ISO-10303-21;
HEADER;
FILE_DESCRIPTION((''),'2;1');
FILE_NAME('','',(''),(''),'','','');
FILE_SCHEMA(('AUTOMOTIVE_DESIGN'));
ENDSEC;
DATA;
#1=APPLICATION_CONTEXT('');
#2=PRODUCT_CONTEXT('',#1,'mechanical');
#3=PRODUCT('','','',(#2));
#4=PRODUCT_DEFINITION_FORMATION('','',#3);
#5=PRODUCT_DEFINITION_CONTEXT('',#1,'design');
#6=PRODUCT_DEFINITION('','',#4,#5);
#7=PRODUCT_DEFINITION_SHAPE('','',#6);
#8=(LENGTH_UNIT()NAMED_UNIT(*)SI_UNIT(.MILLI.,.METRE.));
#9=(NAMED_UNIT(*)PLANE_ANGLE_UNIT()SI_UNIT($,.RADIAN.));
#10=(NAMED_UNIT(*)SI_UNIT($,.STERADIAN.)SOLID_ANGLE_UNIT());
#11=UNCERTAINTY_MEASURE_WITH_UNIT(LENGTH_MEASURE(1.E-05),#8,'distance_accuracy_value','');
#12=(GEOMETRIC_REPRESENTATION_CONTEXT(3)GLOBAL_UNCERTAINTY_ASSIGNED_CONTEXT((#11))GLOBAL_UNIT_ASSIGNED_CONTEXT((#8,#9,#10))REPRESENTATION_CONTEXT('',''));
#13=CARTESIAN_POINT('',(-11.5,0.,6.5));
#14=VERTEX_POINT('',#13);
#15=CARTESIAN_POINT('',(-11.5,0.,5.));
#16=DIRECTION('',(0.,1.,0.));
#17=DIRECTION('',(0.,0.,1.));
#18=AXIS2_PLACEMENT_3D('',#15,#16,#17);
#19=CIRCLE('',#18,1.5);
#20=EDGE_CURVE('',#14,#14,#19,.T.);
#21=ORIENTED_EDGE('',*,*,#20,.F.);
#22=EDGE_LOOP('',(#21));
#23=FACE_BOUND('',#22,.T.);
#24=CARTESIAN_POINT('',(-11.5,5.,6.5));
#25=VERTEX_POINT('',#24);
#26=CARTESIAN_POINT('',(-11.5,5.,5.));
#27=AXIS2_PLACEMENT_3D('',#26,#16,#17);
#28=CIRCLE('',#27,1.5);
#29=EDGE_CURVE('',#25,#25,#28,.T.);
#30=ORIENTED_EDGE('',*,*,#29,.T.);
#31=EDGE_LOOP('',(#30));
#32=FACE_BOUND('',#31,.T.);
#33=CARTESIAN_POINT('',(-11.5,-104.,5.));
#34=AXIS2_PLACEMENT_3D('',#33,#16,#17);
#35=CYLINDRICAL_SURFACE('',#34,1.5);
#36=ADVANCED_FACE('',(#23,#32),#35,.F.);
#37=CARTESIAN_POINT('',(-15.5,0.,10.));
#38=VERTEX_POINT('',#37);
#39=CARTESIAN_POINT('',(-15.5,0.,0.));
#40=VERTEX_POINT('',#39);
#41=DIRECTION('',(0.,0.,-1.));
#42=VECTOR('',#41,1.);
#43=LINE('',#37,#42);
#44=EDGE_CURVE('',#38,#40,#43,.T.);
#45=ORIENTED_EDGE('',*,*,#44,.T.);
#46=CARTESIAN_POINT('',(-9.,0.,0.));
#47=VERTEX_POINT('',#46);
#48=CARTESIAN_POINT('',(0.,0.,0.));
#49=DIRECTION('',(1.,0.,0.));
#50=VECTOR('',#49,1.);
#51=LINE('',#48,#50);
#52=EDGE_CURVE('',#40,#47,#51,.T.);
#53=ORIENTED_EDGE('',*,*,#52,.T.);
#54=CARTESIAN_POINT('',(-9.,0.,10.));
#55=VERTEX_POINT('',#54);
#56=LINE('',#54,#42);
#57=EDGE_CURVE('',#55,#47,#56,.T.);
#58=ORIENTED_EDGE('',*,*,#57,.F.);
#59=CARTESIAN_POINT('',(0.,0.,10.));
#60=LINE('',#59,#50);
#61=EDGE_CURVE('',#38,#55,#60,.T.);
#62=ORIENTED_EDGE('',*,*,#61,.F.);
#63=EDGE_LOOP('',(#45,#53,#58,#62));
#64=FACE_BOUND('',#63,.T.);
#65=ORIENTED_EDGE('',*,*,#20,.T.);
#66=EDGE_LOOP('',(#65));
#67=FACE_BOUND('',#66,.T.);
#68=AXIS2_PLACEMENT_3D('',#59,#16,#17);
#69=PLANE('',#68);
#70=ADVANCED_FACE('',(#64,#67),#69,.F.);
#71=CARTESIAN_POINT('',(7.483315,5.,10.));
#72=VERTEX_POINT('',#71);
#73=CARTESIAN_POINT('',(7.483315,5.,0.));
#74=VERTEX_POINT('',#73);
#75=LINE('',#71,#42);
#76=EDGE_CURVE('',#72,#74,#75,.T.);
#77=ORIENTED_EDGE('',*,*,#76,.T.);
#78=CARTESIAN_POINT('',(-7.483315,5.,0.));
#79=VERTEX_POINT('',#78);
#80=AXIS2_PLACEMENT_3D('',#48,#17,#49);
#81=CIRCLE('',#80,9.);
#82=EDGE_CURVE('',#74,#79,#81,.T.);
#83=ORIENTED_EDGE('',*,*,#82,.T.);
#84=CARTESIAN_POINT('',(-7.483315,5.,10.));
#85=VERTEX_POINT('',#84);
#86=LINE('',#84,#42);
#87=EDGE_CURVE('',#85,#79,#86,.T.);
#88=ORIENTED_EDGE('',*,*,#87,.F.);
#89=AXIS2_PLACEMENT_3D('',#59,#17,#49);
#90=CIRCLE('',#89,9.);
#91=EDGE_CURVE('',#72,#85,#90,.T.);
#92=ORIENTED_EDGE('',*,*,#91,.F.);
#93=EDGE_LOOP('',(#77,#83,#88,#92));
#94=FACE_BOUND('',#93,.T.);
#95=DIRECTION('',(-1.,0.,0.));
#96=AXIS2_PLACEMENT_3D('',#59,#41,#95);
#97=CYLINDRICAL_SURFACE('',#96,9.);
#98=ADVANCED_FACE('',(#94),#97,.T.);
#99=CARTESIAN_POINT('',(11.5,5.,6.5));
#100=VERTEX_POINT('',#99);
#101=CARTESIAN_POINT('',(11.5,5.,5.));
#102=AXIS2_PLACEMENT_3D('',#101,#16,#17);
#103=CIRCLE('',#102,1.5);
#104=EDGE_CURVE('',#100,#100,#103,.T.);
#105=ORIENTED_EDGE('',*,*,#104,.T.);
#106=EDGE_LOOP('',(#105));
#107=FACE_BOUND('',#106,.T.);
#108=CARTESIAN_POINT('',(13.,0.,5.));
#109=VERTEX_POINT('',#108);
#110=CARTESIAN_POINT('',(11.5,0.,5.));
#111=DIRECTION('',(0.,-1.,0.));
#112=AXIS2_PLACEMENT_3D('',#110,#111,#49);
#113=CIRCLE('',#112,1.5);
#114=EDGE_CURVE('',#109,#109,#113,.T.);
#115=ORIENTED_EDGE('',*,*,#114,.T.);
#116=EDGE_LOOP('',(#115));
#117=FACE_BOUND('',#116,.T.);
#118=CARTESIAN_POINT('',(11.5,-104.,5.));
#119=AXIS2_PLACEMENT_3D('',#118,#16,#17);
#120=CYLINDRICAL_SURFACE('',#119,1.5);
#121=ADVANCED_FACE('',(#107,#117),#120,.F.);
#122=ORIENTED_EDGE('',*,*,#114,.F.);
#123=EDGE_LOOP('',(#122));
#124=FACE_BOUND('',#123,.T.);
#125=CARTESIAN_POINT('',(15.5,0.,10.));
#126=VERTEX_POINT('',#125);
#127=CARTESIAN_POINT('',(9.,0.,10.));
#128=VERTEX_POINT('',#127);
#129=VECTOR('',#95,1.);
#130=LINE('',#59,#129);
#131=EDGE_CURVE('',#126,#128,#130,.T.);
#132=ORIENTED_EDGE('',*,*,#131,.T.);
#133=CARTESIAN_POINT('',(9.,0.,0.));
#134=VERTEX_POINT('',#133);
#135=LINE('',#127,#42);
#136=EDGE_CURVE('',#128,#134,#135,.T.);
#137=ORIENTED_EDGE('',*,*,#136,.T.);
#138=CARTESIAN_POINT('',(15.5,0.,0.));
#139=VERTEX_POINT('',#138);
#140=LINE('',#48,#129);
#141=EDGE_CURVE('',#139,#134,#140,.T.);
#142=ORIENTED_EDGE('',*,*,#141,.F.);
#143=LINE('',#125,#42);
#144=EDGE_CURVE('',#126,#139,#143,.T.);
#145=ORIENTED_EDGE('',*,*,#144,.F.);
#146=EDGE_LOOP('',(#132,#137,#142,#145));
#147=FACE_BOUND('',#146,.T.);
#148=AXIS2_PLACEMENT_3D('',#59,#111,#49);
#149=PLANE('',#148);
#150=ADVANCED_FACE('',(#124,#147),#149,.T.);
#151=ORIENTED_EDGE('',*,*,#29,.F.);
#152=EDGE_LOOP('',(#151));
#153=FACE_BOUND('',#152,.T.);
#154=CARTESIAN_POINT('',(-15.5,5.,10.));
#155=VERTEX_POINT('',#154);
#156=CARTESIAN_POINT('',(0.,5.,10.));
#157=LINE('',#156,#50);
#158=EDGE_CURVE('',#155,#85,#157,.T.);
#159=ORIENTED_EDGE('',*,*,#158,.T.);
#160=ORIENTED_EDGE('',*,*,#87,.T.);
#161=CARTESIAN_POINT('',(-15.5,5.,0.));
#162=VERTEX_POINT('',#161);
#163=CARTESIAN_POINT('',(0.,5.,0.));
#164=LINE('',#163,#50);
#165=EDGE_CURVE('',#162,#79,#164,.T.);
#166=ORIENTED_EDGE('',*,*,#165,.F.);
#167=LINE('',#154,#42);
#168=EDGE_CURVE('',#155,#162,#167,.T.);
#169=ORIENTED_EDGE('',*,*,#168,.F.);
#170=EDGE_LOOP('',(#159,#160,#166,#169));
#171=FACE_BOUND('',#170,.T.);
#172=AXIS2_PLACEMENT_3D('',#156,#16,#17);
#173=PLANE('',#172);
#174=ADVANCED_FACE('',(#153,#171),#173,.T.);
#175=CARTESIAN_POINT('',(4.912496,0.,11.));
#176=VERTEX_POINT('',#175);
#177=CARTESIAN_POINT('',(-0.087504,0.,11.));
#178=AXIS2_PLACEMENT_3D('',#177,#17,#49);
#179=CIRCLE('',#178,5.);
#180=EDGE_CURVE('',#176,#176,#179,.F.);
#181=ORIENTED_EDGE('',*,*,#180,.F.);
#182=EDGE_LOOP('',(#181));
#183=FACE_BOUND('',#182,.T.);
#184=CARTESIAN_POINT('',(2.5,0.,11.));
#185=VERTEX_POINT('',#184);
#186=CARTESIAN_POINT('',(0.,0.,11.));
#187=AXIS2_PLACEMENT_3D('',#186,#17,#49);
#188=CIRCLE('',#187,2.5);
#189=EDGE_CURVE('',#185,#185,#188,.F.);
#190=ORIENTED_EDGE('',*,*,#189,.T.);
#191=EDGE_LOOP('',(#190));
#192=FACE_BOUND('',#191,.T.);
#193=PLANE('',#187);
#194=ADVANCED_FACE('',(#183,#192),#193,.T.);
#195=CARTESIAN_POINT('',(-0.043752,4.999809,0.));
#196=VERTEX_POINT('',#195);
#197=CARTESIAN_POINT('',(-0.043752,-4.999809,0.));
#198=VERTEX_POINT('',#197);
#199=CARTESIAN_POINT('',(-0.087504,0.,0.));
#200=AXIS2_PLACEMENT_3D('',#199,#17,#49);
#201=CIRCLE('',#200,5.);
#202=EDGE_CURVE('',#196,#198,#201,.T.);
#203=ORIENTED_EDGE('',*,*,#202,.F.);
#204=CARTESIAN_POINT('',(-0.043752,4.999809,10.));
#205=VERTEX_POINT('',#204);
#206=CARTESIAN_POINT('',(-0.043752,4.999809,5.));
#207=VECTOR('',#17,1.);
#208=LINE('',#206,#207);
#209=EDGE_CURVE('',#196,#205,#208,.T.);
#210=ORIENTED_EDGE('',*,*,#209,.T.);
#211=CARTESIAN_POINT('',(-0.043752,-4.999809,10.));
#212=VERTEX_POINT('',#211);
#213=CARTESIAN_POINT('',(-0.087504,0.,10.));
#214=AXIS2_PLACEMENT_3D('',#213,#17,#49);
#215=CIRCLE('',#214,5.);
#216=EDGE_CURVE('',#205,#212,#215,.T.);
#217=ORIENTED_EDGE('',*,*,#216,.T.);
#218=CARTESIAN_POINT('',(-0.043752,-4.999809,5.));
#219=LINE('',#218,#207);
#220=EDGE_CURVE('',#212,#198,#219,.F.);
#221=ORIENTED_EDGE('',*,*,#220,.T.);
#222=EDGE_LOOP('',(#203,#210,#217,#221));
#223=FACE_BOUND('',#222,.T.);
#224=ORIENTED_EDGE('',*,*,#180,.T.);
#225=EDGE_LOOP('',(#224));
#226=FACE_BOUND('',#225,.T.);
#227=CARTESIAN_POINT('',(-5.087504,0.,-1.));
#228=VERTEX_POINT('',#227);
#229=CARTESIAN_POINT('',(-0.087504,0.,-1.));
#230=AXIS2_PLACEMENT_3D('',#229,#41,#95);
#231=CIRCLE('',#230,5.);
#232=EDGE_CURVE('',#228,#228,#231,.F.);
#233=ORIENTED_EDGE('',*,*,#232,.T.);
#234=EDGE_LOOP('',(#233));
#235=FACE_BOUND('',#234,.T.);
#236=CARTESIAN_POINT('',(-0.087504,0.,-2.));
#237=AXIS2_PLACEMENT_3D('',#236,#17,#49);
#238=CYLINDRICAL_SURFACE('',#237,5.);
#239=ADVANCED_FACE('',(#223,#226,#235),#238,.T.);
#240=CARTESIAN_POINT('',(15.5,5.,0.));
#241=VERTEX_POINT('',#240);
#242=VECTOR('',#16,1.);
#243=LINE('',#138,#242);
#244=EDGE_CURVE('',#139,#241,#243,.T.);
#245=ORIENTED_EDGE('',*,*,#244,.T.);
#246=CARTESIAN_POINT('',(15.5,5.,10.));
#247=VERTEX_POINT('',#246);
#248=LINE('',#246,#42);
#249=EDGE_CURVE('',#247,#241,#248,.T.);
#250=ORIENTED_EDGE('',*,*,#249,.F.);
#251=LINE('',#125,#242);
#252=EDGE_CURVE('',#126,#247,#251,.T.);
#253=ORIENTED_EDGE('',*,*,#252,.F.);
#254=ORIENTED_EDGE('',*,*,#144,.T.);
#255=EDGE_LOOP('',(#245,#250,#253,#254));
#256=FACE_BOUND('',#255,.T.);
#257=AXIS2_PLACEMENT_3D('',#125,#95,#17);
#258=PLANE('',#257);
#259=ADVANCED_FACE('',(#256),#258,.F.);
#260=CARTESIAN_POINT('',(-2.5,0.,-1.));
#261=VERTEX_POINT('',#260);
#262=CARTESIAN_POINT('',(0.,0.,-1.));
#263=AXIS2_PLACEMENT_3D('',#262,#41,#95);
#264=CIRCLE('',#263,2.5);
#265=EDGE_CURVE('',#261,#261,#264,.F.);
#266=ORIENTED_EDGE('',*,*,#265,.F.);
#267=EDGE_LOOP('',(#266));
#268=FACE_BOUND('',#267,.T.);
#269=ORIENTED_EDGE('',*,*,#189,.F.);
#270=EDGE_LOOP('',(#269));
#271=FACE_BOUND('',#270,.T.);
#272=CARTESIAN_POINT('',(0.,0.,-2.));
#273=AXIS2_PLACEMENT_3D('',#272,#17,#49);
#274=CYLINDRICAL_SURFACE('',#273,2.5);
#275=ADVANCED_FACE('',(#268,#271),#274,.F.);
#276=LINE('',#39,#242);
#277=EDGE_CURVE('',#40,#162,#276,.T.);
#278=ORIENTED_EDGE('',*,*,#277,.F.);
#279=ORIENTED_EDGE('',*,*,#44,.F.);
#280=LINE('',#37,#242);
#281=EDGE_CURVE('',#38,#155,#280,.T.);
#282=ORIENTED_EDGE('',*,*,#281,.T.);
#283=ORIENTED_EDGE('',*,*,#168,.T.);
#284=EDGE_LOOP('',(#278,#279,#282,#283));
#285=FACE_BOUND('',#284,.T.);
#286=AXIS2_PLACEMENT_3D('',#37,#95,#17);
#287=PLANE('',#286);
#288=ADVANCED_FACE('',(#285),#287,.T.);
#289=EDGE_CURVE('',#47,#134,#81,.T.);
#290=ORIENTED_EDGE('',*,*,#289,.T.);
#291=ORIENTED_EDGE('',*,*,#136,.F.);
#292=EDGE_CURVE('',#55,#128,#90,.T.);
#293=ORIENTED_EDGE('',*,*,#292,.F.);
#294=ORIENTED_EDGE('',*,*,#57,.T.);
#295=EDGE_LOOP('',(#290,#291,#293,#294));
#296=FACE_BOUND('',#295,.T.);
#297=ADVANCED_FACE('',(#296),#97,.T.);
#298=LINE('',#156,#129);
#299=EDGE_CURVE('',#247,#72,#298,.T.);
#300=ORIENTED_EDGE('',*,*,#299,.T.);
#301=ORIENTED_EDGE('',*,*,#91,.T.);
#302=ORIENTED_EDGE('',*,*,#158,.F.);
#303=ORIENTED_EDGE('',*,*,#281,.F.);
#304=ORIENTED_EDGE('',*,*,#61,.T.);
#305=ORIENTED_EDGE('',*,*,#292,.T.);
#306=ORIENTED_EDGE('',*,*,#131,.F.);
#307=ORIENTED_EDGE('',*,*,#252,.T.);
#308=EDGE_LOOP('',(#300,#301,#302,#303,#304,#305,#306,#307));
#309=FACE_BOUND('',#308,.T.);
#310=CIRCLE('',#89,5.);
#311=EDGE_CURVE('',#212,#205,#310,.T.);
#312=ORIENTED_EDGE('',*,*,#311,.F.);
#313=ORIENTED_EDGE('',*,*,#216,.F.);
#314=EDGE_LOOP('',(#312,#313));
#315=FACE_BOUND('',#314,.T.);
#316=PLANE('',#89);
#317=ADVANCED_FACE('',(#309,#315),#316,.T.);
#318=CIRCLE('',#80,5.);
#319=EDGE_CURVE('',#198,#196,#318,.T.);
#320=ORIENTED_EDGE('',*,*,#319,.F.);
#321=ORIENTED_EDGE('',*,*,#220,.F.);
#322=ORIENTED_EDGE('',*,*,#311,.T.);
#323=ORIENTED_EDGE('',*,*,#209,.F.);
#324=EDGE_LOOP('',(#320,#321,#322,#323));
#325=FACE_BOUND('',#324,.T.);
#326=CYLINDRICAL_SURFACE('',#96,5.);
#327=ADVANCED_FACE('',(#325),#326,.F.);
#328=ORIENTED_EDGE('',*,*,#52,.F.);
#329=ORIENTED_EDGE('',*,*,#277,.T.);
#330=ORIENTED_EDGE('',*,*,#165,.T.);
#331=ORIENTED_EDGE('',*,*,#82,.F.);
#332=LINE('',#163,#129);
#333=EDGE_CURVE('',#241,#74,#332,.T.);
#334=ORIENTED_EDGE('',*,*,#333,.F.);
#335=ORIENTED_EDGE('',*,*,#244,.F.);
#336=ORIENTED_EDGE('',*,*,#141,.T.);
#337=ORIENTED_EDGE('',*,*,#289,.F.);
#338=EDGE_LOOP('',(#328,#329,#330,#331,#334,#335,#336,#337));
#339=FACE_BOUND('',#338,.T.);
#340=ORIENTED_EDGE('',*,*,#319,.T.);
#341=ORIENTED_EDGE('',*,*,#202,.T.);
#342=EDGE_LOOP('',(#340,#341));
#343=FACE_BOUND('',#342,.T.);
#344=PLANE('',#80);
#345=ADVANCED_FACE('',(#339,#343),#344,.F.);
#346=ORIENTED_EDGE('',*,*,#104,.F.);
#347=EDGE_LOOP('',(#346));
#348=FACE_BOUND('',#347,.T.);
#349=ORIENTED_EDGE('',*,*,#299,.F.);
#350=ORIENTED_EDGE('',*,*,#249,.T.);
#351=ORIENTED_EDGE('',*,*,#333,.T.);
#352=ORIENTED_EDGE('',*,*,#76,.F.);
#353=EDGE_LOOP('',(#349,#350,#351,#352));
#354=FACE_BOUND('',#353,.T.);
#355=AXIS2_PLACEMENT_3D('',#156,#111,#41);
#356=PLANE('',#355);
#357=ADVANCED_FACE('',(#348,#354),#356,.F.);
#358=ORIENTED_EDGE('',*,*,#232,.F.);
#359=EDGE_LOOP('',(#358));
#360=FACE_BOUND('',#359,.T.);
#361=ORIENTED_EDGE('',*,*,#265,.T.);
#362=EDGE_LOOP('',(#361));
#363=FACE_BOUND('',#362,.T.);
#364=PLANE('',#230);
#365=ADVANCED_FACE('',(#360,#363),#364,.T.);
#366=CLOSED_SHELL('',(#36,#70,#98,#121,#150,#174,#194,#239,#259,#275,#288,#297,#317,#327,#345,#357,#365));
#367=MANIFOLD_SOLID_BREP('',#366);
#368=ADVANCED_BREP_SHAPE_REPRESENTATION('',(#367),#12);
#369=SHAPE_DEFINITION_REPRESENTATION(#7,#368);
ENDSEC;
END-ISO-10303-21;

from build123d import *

# Parameters (mm, degrees)
SKETCH1_R                = 0.9
SKETCH1_R_2              = 0.5
SKETCH1_W                = 1
SKETCH1_H                = 0.5
BOSS_EXTRUDE1_DEPTH      = 1
BOSS_EXTRUDE2_DEPTH      = 11
BOSS_EXTRUDE2_DEPTH_BACK = 1.2
SKETCH2_R                = 0.5
SKETCH2_R_2              = 0.25
SKETCH3_R                = 0.66091417
CUT_EXTRUDE3_DEPTH       = 0.1
SKETCH4_R                = 0.55
CUT_EXTRUDE4_DEPTH       = 10.9
SKETCH5_R                = 0.15
CUT_EXTRUDE5_DEPTH       = 10.9
SCALE1_SCALE             = 10


with BuildPart() as part:
    # Sketch1 → Boss-Extrude1 (new body)
    # profile 1 of 3: a face of its own
    with BuildSketch(Plane.XY):
        Circle(SKETCH1_R)
        Circle(SKETCH1_R_2, mode=Mode.SUBTRACT)
    # profile 2 of 3: a face of its own
    with BuildSketch(Plane.XY):
        with Locations((1.05, 0.25)):
            Rectangle(SKETCH1_W, SKETCH1_H)
    # profile 3 of 3: a face of its own
    with BuildSketch(Plane.XY):
        with Locations((-1.05, 0.25)):
            Rectangle(SKETCH1_W, SKETCH1_H)
    extrude(amount=BOSS_EXTRUDE1_DEPTH)

    # Sketch2 → Boss-Extrude2 (add, two sides: drawn at the far end of the back side and taken through both)
    with BuildSketch(Plane.XY.offset(1).offset(-BOSS_EXTRUDE2_DEPTH_BACK)):
        with Locations((-0.008750419, 0)):
            Circle(SKETCH2_R)
        Circle(SKETCH2_R_2, mode=Mode.SUBTRACT)
    extrude(amount=BOSS_EXTRUDE2_DEPTH + BOSS_EXTRUDE2_DEPTH_BACK)

    # Sketch3 → Cut-Extrude3 (cut)
    with BuildSketch(Plane(origin=(0, 0, -0.2), x_dir=(-1, 0, 0), z_dir=(0, 0, -1))):
        with Locations((0.008750419, 0)):
            Circle(SKETCH3_R)
    extrude(amount=-CUT_EXTRUDE3_DEPTH, mode=Mode.SUBTRACT)

    # Sketch4 → Cut-Extrude4 (cut)
    with BuildSketch(Plane.XY.offset(12)):
        Circle(SKETCH4_R)
    extrude(amount=-CUT_EXTRUDE4_DEPTH, mode=Mode.SUBTRACT)

    # Sketch5 → Cut-Extrude5 (cut)
    with BuildSketch(Plane(origin=(0, 0.5, 0), x_dir=(1, 0, 0), z_dir=(0, 1, 0))):
        with Locations(Location((1.15, -0.5, 0), (0, 0, 270))):
            Circle(SKETCH5_R)
        with Locations(Location((-1.15, -0.5, 0), (0, 0, 270))):
            Circle(SKETCH5_R)
    extrude(amount=-CUT_EXTRUDE5_DEPTH, mode=Mode.SUBTRACT)


with BuildPart() as part_1:
    # Scale1: scaled about (0, 0, 0)
    add(part.part.scale(SCALE1_SCALE))


solid = part_1.part
